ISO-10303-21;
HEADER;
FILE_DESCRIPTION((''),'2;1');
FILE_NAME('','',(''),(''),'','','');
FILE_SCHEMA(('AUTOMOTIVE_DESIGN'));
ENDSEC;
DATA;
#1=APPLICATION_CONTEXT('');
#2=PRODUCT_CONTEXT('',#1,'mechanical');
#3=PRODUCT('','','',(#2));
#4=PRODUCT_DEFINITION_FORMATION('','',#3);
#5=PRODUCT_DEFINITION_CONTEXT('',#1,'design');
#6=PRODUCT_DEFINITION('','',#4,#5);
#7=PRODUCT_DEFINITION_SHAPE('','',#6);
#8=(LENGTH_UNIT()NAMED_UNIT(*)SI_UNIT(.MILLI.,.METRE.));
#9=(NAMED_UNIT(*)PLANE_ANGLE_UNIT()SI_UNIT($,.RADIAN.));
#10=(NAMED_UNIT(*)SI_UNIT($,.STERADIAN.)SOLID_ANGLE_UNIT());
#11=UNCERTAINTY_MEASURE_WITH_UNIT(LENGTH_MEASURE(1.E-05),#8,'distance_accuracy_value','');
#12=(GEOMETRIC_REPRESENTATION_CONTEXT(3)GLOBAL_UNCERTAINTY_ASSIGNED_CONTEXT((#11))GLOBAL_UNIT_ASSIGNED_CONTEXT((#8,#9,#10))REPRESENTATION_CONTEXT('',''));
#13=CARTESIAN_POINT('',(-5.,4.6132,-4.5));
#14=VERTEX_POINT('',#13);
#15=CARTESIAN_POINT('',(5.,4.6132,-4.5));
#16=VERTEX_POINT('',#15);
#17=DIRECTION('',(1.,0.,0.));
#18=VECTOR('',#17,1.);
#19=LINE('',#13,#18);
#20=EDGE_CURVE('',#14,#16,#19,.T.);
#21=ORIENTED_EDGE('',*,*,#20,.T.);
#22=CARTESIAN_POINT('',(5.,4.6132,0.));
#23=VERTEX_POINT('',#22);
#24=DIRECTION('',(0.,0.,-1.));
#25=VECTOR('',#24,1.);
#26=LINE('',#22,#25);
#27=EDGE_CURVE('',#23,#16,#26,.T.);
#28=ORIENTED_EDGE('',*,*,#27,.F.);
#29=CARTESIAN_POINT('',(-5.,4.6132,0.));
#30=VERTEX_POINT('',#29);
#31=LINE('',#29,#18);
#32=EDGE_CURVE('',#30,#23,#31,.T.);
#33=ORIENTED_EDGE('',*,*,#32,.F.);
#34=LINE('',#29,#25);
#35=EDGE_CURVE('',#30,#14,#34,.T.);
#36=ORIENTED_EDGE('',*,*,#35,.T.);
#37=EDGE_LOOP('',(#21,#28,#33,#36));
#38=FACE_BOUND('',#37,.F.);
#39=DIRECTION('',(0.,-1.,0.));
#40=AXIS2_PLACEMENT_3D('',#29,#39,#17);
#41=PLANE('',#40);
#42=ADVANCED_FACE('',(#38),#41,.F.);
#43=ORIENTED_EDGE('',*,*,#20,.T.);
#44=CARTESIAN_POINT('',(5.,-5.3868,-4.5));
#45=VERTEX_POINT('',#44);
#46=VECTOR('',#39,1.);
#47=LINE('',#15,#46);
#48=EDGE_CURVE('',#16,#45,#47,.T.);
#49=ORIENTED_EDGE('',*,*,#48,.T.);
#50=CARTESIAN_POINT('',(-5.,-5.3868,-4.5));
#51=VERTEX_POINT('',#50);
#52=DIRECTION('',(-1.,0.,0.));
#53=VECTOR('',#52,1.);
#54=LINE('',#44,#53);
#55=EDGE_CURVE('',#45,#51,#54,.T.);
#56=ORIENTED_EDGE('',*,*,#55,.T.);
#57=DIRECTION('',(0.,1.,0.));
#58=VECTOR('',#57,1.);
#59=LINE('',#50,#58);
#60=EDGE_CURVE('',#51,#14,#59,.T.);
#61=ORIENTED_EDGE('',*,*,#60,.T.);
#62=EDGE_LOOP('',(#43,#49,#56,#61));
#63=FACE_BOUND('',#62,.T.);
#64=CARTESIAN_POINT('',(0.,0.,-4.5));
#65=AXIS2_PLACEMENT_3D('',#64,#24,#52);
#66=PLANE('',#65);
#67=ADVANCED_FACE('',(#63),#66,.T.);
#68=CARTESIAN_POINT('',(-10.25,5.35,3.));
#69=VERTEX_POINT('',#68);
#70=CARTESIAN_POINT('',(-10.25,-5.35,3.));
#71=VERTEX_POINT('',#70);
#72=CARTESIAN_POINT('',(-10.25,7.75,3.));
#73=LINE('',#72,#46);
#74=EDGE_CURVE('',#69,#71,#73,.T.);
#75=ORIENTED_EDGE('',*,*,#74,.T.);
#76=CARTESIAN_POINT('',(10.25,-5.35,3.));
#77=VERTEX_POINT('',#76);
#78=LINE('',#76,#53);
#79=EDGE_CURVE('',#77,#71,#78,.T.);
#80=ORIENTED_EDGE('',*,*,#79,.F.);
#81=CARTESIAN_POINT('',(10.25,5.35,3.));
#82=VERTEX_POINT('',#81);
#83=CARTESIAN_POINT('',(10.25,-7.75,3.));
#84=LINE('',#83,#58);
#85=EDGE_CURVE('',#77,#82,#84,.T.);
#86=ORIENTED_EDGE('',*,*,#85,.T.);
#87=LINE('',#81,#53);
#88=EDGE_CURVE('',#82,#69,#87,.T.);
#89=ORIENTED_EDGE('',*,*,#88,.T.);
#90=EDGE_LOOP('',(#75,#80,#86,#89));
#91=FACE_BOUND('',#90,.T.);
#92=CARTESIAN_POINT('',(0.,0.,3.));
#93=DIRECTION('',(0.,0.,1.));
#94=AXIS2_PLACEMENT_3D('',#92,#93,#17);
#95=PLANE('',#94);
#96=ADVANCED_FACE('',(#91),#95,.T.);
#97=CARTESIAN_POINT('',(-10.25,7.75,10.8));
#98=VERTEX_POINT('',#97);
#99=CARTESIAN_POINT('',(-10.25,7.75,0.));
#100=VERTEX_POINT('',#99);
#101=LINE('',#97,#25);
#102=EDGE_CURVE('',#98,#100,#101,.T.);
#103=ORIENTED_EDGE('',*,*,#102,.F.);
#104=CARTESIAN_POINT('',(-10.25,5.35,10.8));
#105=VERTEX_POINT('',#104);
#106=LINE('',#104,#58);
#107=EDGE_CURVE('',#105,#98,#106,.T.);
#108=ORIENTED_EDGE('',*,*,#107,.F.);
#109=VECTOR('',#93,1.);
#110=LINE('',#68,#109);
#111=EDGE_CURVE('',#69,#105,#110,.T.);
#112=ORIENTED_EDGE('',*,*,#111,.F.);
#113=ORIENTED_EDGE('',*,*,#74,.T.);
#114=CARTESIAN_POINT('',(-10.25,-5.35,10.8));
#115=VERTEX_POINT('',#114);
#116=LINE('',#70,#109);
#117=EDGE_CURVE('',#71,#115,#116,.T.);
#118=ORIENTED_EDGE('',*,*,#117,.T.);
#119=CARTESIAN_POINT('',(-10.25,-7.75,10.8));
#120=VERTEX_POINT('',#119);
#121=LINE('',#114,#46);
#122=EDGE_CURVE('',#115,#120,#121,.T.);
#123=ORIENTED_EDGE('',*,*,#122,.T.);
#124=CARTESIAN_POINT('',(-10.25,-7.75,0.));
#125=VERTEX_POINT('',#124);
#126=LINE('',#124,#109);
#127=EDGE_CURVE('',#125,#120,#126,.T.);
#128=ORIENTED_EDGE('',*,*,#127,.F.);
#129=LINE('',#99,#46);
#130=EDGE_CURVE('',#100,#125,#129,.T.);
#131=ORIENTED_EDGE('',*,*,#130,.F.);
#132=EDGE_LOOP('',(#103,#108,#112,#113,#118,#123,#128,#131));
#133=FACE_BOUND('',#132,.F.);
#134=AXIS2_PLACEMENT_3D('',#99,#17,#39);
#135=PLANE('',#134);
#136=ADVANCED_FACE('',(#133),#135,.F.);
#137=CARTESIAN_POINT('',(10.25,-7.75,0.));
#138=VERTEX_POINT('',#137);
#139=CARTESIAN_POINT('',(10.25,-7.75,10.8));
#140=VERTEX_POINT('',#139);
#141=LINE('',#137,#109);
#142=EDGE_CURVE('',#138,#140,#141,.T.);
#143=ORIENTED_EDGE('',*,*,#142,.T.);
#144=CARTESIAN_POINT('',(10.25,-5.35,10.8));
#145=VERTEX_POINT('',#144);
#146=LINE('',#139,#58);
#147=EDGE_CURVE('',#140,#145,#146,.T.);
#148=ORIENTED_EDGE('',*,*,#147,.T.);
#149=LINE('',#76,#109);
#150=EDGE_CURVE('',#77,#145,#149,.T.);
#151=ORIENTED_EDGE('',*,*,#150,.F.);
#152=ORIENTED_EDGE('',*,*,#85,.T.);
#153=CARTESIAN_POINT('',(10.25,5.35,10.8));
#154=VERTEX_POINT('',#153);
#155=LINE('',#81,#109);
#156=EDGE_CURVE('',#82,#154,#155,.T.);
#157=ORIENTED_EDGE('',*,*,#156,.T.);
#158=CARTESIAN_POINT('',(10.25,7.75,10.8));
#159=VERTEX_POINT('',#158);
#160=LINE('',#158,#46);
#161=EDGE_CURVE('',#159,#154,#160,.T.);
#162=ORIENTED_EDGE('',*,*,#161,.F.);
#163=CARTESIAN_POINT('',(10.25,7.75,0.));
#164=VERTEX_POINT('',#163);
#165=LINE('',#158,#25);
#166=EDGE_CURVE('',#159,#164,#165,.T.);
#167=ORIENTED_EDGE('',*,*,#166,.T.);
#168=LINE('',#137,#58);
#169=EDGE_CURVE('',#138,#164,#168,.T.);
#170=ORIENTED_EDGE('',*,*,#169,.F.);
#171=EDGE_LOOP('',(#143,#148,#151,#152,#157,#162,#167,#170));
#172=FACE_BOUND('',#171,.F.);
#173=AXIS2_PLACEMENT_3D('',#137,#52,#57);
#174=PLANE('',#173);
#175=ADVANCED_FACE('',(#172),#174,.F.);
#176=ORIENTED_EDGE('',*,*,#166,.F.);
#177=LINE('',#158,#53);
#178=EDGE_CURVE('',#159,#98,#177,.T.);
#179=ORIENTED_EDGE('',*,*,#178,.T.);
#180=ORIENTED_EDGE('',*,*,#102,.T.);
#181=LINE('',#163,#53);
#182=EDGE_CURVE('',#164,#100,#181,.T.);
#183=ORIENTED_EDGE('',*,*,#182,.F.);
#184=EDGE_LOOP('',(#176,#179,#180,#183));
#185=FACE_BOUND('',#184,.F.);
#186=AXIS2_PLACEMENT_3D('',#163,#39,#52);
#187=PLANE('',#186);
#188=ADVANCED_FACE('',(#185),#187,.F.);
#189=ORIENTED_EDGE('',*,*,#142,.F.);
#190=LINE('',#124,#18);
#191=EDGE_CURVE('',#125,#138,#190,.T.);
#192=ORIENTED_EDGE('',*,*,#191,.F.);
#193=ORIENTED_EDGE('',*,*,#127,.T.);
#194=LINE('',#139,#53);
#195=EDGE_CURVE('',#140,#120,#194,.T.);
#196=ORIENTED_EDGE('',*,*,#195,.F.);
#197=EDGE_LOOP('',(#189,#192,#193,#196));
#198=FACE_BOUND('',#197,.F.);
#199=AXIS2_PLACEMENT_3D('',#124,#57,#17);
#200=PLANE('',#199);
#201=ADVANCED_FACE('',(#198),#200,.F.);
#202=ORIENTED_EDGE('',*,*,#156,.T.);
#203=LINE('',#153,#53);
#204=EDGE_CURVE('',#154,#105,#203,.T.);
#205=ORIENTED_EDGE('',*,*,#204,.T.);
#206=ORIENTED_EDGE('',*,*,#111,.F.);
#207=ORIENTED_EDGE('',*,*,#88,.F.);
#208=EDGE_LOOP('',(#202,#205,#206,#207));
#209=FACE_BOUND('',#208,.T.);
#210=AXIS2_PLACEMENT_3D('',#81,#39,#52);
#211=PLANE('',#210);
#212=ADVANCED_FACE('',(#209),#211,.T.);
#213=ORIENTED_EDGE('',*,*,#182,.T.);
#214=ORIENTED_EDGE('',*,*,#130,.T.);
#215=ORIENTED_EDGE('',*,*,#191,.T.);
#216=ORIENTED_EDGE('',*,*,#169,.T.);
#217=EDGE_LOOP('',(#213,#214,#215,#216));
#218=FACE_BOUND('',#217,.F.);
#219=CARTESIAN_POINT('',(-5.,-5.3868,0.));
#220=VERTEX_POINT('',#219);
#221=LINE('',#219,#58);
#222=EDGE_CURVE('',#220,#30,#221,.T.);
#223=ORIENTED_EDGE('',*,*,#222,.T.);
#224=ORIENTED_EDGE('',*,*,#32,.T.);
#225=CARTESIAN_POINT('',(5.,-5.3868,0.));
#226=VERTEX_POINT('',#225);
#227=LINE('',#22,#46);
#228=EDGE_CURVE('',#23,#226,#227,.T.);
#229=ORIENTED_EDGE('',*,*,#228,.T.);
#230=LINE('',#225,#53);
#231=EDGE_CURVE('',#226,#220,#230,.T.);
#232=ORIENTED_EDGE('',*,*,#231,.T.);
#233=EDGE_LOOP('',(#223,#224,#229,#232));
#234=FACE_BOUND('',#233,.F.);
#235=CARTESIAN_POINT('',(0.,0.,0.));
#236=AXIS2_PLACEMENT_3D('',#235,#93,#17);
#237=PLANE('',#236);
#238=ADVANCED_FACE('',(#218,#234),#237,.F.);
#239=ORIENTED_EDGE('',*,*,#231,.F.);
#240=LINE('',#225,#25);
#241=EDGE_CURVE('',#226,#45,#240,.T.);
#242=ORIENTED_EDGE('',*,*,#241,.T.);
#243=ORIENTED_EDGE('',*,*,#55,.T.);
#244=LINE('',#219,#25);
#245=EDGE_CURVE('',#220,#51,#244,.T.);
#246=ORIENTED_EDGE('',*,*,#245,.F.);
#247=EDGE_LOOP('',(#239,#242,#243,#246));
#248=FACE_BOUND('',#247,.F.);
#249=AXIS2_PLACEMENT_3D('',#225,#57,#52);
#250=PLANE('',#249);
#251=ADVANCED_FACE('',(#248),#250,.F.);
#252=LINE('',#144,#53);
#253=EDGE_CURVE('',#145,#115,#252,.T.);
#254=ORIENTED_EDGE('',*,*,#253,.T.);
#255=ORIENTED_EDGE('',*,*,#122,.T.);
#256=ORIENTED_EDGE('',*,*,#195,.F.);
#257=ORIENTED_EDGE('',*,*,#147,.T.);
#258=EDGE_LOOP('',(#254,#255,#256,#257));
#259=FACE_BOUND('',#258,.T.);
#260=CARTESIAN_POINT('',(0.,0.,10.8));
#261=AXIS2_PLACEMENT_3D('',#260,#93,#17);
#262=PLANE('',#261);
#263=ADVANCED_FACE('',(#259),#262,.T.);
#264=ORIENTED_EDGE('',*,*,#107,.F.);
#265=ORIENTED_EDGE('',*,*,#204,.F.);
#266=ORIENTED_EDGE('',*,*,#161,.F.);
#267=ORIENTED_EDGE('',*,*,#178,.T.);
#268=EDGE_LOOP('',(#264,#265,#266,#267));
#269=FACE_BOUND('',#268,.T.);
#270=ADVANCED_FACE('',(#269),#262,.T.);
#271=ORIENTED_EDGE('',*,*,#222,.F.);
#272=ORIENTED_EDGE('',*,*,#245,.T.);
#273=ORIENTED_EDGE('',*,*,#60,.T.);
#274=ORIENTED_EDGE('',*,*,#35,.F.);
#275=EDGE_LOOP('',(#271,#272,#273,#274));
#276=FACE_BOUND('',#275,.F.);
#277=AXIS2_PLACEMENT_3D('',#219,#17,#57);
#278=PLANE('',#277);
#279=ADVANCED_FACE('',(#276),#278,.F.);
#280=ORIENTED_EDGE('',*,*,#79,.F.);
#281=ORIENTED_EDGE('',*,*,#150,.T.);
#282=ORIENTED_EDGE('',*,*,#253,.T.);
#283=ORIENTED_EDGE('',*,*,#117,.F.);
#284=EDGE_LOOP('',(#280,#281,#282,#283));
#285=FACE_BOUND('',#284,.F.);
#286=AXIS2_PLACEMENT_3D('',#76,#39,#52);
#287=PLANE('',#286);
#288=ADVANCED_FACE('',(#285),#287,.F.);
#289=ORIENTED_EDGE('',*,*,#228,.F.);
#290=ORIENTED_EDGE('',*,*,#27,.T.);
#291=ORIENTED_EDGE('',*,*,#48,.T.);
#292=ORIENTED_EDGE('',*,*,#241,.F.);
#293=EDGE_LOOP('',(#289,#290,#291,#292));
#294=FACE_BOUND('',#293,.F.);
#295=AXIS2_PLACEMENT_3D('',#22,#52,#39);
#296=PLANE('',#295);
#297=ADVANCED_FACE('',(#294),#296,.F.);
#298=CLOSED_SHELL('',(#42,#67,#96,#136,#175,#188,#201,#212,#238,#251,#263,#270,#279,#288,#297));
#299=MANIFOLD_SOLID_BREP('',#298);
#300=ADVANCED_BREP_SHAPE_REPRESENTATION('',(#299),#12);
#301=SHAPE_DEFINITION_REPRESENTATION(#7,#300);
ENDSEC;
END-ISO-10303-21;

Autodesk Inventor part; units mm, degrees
ref_plane "YZ Plane" through (0, 0, 0) normal (1, 0, 0) x (0, 1, 0)
ref_plane "XZ Plane" through (0, 0, 0) normal (0, 1, 0) x (-1, 0, 0)
ref_plane "XY Plane" through (0, 0, 0) normal (0, 0, 1) x (1, 0, 0)
sketch "스케치1" plane through (0, 0, 0) normal (0, 0, 1) x (1, 0, 0)
  line L0 (-10.25, -7.75) -> (10.25, -7.75)
  line L1 (10.25, -7.75) -> (10.25, 7.75)
  line L2 (10.25, 7.75) -> (-10.25, 7.75)
  line L3 (-10.25, 7.75) -> (-10.25, -7.75)
  line L4 (-10.25, -7.75) -> (10.25, 7.75) construction
  line L5 (10.25, -7.75) -> (-10.25, 7.75) construction
  point P0 (0, 0)
  dimension "d0" = 20.5
  dimension "d1" = 15.5
extrude "돌출1" add sketch "스케치1" along normal blind 3
sketch "스케치2" plane through (0, 0, 3) normal (0, 0, 1) x (1, 0, 0)
  line L0 (10.25, 7.75) -> (-10.25, 7.75) projected
  line L1 (-10.25, 7.75) -> (10.25, 7.75)
  line L2 (10.25, 7.75) -> (10.25, 5.35)
  line L3 (10.25, 5.35) -> (-10.25, 5.35)
  line L4 (-10.25, 5.35) -> (-10.25, 7.75)
  line L5 (0, 0) -> (4.2226, 0)
  line L6 (10.25, -7.75) -> (-10.25, -7.75)
  line L7 (-10.25, -7.75) -> (10.25, -7.75)
  line L8 (10.25, -7.75) -> (10.25, -5.35)
  line L9 (10.25, -5.35) -> (-10.25, -5.35)
  line L10 (-10.25, -5.35) -> (-10.25, -7.75)
  dimension "d4" = 2.4
extrude "돌출2" add sketch "스케치2" along normal blind 7.8
sketch "스케치3" plane through (0, 0, 0) normal (0, 0, -1) x (-1, 0, 0)
  line L0 (-5, -5.3868) -> (5, -5.3868)
  line L1 (5, -5.3868) -> (5, 4.6132)
  line L2 (5, 4.6132) -> (-5, 4.6132)
  line L3 (-5, 4.6132) -> (-5, -5.3868)
  line L4 (-5, -5.3868) -> (5, 4.6132) construction
  line L5 (5, -5.3868) -> (-5, 4.6132) construction
  point P0 (0, 0)
  point P1 (0, -0.3868)
  dimension "d7" = 10
  dimension "d8" = 10
extrude "돌출3" add sketch "스케치3" along normal blind 4.5
properties part number "스텝모터 드라이버"
